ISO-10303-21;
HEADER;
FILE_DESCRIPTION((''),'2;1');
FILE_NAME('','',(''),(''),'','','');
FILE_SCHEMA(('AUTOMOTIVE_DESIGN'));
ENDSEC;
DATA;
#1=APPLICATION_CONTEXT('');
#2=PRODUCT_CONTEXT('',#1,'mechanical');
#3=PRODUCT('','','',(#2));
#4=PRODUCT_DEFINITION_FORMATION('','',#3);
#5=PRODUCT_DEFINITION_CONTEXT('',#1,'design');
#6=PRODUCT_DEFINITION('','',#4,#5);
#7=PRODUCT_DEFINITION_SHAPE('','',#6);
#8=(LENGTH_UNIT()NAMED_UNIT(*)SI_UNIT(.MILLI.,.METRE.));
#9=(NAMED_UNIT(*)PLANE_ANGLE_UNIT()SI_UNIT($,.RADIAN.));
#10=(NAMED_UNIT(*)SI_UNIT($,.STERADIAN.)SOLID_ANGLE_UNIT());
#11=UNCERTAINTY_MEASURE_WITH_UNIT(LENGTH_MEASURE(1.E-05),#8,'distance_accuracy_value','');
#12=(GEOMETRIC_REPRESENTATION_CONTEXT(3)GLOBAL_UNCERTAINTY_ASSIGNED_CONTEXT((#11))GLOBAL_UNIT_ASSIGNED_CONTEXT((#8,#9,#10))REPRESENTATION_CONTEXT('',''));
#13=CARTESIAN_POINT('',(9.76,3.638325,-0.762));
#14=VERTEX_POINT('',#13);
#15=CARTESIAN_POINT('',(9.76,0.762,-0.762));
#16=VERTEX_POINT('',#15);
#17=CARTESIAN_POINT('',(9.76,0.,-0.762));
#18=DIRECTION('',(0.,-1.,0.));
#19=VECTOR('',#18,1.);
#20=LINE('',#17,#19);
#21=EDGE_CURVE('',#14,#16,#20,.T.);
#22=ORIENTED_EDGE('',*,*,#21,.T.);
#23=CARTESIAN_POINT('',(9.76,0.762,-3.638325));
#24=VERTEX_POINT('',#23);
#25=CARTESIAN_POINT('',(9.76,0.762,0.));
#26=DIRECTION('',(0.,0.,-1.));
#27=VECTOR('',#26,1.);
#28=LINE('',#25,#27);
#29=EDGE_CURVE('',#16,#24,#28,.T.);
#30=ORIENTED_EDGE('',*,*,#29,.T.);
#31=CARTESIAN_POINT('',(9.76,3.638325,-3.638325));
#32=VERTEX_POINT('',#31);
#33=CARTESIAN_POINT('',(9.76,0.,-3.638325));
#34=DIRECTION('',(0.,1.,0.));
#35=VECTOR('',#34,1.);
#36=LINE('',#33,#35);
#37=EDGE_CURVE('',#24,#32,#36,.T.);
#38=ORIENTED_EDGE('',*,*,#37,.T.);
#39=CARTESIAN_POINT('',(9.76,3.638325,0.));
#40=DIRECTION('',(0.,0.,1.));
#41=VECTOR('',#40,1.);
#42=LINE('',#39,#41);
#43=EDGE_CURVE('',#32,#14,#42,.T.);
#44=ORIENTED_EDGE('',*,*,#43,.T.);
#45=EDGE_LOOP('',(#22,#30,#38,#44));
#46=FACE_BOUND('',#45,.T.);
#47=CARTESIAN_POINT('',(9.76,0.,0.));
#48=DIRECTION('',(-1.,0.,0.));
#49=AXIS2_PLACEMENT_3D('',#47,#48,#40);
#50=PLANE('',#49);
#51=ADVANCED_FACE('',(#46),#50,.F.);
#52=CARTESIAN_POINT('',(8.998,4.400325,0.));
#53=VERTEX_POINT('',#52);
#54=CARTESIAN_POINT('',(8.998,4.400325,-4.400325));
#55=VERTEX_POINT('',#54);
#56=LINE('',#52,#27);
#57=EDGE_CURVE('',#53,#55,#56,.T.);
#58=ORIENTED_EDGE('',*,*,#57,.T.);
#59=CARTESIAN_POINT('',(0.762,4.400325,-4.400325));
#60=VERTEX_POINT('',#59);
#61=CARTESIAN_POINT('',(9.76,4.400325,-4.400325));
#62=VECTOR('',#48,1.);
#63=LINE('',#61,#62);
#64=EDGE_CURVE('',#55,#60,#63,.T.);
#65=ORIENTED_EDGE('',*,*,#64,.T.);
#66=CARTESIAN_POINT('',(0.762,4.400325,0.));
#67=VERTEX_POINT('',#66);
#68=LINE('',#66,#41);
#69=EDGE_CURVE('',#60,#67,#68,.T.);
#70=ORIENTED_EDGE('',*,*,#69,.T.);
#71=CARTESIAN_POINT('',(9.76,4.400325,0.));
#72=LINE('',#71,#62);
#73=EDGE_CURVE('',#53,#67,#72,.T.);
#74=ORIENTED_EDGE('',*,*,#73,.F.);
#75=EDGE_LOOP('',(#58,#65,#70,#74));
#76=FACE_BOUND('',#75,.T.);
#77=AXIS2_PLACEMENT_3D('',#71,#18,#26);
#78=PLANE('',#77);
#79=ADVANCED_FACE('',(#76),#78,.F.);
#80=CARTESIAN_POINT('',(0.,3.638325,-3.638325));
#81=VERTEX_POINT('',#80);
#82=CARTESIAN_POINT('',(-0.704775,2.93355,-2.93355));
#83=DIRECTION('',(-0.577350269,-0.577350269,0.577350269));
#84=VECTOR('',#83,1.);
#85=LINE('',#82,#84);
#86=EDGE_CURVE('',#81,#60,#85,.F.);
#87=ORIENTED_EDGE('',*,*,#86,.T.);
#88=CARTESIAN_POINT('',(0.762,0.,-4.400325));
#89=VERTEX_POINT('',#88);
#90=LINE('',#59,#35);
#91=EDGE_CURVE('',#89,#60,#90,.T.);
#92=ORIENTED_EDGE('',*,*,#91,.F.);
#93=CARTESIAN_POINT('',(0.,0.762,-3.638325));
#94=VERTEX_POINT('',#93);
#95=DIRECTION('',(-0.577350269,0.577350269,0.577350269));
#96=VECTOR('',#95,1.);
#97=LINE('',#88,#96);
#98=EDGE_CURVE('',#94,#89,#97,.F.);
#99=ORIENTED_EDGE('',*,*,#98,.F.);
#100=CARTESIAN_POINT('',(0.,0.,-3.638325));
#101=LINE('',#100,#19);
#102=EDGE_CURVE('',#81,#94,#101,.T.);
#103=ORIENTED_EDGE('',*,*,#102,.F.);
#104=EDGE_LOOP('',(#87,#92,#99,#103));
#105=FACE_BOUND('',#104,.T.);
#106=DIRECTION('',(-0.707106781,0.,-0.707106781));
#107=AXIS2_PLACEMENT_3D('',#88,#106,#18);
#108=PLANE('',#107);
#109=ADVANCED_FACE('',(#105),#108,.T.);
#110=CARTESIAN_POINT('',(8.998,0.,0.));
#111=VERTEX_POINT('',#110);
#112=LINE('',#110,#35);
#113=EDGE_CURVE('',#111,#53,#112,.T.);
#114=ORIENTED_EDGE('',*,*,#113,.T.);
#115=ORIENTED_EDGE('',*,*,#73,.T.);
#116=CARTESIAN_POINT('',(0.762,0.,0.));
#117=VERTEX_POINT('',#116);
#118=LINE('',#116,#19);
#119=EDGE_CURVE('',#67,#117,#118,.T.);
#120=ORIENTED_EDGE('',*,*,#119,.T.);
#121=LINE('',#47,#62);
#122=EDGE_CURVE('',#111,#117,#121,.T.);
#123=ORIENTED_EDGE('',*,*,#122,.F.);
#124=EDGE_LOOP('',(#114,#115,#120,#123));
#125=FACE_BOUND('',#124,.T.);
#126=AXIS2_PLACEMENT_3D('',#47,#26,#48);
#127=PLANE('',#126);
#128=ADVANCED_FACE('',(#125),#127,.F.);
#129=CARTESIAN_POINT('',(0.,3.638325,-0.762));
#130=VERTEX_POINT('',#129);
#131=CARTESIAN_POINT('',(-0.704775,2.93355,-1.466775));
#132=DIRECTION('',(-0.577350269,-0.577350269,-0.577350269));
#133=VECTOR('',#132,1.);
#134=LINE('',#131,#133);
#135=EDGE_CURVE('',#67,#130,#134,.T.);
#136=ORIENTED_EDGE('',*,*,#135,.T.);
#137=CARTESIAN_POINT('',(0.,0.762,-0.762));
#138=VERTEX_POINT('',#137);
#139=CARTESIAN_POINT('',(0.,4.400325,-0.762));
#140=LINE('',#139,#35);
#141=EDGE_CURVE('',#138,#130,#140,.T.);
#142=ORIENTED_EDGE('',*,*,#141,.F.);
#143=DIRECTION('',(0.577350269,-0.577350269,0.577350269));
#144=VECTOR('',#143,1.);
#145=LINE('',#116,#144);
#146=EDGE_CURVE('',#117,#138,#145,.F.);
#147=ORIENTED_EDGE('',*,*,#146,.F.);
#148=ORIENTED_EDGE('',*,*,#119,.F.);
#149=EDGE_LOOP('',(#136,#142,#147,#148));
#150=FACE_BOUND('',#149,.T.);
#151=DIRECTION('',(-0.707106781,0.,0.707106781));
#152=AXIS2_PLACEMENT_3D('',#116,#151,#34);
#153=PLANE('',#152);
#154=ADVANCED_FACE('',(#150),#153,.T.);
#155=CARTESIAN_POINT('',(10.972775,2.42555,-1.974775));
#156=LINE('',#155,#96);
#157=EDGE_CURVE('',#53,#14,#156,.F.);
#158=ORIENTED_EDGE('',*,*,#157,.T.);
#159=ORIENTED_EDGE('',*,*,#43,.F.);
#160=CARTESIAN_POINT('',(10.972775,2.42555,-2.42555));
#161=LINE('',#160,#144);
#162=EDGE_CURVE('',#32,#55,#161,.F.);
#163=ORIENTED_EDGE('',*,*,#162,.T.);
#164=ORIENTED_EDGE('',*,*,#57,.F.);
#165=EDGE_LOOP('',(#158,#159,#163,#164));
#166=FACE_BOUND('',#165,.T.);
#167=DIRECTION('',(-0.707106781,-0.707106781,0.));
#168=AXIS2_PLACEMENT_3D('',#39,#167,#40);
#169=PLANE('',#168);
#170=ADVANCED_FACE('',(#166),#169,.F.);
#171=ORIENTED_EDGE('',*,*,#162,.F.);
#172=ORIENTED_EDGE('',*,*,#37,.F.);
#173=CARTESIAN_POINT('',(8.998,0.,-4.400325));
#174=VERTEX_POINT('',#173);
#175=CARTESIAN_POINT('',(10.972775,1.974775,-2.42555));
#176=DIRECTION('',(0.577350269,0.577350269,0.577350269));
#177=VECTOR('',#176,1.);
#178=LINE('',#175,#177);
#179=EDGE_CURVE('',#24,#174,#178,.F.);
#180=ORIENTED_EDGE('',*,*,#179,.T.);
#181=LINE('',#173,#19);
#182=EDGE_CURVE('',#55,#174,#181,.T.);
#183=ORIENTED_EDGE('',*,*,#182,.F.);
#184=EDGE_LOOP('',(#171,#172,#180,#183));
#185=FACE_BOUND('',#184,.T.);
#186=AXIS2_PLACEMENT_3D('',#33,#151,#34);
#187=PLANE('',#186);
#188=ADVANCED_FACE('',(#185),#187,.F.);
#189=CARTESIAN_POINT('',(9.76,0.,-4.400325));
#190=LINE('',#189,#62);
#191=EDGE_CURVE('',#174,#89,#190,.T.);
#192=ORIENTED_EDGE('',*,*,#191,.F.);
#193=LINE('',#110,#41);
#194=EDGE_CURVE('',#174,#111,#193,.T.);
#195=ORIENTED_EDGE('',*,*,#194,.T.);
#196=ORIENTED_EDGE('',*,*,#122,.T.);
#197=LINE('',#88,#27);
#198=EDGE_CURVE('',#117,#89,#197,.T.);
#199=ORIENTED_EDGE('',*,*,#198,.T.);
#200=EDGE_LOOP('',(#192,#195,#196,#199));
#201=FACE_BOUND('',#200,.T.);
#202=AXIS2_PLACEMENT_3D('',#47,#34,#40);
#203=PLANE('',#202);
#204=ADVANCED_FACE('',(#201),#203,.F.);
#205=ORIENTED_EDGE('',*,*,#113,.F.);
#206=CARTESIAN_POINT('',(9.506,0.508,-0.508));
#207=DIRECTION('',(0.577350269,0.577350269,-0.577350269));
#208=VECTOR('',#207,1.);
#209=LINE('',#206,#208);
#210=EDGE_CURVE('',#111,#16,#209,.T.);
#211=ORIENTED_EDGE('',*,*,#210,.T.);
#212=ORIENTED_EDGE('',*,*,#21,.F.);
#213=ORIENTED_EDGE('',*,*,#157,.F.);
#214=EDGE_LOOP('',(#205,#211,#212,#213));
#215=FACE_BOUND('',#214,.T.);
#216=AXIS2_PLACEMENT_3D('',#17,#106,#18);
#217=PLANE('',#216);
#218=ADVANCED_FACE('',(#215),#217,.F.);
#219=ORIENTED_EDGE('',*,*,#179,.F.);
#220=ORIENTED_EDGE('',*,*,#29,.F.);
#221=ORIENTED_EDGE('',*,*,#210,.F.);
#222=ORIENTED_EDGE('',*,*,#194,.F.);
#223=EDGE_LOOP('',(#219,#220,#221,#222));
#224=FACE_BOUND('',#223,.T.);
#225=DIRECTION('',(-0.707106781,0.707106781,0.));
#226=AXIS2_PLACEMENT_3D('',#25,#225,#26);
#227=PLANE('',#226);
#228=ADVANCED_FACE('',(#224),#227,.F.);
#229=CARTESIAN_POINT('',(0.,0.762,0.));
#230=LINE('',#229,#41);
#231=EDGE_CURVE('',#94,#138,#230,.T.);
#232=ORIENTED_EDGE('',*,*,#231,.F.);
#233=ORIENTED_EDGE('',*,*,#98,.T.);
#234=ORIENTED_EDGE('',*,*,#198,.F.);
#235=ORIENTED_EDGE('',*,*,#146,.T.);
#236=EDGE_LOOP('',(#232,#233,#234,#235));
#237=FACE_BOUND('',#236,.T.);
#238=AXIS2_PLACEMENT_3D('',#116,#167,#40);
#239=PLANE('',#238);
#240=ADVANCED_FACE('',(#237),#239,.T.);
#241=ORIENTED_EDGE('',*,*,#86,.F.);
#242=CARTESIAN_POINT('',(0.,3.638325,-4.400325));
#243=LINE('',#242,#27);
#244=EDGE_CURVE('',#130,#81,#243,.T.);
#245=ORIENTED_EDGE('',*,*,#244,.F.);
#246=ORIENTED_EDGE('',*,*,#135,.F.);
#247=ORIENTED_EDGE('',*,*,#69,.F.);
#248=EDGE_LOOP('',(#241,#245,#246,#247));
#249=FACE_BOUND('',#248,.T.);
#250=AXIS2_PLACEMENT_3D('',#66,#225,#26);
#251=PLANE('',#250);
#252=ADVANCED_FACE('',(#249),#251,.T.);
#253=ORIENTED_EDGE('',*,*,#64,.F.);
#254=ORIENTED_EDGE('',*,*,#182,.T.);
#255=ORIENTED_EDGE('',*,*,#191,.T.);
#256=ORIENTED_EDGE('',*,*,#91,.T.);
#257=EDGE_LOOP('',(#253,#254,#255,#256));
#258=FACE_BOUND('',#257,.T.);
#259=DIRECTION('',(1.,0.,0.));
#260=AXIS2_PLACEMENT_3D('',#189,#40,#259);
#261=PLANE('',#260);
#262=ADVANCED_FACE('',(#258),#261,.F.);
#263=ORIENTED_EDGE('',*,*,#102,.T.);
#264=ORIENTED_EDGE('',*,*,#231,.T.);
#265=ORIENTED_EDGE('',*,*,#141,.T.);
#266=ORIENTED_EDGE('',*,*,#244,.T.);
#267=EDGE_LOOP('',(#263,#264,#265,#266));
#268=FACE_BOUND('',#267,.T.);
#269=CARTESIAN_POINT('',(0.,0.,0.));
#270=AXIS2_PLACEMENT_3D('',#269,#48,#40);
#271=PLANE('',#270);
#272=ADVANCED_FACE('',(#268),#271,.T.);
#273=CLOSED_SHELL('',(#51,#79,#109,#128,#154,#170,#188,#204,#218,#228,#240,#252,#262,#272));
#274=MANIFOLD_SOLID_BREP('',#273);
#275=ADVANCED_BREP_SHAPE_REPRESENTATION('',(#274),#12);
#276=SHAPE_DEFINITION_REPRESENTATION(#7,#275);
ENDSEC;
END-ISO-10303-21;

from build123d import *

# Parameters (mm, degrees)
SKETCH1_W           = 4.400325499
SKETCH1_H           = 4.400325499
BOSS_EXTRUDE1_DEPTH = 9.76
CHAMFER1_SIZE       = 0.762


with BuildPart() as part:
    # Sketch1 → Boss-Extrude1 (new body)
    with BuildSketch(Plane(origin=(0, 0, 0), x_dir=(0, 0, -1), z_dir=(1, 0, 0))):
        with Locations((2.20016275, 2.20016275)):
            Rectangle(SKETCH1_W, SKETCH1_H)
    extrude(amount=BOSS_EXTRUDE1_DEPTH)

    # Chamfer1
    chamfer1_edges = [part.edges().sort_by_distance(p)[0] for p in [
        (9.76, 2.20016275, -4.400325499),
        (9.76, 4.400325499, -2.20016275),
        (9.76, 2.20016275, 0),
        (0, 4.400325499, -2.20016275),
        (0, 2.20016275, -4.400325499),
        (0, 0, -2.20016275),
        (0, 2.20016275, 0),
        (9.76, 0, -2.20016275),
    ]]
    chamfer(chamfer1_edges, length=CHAMFER1_SIZE)


solid = part.part
